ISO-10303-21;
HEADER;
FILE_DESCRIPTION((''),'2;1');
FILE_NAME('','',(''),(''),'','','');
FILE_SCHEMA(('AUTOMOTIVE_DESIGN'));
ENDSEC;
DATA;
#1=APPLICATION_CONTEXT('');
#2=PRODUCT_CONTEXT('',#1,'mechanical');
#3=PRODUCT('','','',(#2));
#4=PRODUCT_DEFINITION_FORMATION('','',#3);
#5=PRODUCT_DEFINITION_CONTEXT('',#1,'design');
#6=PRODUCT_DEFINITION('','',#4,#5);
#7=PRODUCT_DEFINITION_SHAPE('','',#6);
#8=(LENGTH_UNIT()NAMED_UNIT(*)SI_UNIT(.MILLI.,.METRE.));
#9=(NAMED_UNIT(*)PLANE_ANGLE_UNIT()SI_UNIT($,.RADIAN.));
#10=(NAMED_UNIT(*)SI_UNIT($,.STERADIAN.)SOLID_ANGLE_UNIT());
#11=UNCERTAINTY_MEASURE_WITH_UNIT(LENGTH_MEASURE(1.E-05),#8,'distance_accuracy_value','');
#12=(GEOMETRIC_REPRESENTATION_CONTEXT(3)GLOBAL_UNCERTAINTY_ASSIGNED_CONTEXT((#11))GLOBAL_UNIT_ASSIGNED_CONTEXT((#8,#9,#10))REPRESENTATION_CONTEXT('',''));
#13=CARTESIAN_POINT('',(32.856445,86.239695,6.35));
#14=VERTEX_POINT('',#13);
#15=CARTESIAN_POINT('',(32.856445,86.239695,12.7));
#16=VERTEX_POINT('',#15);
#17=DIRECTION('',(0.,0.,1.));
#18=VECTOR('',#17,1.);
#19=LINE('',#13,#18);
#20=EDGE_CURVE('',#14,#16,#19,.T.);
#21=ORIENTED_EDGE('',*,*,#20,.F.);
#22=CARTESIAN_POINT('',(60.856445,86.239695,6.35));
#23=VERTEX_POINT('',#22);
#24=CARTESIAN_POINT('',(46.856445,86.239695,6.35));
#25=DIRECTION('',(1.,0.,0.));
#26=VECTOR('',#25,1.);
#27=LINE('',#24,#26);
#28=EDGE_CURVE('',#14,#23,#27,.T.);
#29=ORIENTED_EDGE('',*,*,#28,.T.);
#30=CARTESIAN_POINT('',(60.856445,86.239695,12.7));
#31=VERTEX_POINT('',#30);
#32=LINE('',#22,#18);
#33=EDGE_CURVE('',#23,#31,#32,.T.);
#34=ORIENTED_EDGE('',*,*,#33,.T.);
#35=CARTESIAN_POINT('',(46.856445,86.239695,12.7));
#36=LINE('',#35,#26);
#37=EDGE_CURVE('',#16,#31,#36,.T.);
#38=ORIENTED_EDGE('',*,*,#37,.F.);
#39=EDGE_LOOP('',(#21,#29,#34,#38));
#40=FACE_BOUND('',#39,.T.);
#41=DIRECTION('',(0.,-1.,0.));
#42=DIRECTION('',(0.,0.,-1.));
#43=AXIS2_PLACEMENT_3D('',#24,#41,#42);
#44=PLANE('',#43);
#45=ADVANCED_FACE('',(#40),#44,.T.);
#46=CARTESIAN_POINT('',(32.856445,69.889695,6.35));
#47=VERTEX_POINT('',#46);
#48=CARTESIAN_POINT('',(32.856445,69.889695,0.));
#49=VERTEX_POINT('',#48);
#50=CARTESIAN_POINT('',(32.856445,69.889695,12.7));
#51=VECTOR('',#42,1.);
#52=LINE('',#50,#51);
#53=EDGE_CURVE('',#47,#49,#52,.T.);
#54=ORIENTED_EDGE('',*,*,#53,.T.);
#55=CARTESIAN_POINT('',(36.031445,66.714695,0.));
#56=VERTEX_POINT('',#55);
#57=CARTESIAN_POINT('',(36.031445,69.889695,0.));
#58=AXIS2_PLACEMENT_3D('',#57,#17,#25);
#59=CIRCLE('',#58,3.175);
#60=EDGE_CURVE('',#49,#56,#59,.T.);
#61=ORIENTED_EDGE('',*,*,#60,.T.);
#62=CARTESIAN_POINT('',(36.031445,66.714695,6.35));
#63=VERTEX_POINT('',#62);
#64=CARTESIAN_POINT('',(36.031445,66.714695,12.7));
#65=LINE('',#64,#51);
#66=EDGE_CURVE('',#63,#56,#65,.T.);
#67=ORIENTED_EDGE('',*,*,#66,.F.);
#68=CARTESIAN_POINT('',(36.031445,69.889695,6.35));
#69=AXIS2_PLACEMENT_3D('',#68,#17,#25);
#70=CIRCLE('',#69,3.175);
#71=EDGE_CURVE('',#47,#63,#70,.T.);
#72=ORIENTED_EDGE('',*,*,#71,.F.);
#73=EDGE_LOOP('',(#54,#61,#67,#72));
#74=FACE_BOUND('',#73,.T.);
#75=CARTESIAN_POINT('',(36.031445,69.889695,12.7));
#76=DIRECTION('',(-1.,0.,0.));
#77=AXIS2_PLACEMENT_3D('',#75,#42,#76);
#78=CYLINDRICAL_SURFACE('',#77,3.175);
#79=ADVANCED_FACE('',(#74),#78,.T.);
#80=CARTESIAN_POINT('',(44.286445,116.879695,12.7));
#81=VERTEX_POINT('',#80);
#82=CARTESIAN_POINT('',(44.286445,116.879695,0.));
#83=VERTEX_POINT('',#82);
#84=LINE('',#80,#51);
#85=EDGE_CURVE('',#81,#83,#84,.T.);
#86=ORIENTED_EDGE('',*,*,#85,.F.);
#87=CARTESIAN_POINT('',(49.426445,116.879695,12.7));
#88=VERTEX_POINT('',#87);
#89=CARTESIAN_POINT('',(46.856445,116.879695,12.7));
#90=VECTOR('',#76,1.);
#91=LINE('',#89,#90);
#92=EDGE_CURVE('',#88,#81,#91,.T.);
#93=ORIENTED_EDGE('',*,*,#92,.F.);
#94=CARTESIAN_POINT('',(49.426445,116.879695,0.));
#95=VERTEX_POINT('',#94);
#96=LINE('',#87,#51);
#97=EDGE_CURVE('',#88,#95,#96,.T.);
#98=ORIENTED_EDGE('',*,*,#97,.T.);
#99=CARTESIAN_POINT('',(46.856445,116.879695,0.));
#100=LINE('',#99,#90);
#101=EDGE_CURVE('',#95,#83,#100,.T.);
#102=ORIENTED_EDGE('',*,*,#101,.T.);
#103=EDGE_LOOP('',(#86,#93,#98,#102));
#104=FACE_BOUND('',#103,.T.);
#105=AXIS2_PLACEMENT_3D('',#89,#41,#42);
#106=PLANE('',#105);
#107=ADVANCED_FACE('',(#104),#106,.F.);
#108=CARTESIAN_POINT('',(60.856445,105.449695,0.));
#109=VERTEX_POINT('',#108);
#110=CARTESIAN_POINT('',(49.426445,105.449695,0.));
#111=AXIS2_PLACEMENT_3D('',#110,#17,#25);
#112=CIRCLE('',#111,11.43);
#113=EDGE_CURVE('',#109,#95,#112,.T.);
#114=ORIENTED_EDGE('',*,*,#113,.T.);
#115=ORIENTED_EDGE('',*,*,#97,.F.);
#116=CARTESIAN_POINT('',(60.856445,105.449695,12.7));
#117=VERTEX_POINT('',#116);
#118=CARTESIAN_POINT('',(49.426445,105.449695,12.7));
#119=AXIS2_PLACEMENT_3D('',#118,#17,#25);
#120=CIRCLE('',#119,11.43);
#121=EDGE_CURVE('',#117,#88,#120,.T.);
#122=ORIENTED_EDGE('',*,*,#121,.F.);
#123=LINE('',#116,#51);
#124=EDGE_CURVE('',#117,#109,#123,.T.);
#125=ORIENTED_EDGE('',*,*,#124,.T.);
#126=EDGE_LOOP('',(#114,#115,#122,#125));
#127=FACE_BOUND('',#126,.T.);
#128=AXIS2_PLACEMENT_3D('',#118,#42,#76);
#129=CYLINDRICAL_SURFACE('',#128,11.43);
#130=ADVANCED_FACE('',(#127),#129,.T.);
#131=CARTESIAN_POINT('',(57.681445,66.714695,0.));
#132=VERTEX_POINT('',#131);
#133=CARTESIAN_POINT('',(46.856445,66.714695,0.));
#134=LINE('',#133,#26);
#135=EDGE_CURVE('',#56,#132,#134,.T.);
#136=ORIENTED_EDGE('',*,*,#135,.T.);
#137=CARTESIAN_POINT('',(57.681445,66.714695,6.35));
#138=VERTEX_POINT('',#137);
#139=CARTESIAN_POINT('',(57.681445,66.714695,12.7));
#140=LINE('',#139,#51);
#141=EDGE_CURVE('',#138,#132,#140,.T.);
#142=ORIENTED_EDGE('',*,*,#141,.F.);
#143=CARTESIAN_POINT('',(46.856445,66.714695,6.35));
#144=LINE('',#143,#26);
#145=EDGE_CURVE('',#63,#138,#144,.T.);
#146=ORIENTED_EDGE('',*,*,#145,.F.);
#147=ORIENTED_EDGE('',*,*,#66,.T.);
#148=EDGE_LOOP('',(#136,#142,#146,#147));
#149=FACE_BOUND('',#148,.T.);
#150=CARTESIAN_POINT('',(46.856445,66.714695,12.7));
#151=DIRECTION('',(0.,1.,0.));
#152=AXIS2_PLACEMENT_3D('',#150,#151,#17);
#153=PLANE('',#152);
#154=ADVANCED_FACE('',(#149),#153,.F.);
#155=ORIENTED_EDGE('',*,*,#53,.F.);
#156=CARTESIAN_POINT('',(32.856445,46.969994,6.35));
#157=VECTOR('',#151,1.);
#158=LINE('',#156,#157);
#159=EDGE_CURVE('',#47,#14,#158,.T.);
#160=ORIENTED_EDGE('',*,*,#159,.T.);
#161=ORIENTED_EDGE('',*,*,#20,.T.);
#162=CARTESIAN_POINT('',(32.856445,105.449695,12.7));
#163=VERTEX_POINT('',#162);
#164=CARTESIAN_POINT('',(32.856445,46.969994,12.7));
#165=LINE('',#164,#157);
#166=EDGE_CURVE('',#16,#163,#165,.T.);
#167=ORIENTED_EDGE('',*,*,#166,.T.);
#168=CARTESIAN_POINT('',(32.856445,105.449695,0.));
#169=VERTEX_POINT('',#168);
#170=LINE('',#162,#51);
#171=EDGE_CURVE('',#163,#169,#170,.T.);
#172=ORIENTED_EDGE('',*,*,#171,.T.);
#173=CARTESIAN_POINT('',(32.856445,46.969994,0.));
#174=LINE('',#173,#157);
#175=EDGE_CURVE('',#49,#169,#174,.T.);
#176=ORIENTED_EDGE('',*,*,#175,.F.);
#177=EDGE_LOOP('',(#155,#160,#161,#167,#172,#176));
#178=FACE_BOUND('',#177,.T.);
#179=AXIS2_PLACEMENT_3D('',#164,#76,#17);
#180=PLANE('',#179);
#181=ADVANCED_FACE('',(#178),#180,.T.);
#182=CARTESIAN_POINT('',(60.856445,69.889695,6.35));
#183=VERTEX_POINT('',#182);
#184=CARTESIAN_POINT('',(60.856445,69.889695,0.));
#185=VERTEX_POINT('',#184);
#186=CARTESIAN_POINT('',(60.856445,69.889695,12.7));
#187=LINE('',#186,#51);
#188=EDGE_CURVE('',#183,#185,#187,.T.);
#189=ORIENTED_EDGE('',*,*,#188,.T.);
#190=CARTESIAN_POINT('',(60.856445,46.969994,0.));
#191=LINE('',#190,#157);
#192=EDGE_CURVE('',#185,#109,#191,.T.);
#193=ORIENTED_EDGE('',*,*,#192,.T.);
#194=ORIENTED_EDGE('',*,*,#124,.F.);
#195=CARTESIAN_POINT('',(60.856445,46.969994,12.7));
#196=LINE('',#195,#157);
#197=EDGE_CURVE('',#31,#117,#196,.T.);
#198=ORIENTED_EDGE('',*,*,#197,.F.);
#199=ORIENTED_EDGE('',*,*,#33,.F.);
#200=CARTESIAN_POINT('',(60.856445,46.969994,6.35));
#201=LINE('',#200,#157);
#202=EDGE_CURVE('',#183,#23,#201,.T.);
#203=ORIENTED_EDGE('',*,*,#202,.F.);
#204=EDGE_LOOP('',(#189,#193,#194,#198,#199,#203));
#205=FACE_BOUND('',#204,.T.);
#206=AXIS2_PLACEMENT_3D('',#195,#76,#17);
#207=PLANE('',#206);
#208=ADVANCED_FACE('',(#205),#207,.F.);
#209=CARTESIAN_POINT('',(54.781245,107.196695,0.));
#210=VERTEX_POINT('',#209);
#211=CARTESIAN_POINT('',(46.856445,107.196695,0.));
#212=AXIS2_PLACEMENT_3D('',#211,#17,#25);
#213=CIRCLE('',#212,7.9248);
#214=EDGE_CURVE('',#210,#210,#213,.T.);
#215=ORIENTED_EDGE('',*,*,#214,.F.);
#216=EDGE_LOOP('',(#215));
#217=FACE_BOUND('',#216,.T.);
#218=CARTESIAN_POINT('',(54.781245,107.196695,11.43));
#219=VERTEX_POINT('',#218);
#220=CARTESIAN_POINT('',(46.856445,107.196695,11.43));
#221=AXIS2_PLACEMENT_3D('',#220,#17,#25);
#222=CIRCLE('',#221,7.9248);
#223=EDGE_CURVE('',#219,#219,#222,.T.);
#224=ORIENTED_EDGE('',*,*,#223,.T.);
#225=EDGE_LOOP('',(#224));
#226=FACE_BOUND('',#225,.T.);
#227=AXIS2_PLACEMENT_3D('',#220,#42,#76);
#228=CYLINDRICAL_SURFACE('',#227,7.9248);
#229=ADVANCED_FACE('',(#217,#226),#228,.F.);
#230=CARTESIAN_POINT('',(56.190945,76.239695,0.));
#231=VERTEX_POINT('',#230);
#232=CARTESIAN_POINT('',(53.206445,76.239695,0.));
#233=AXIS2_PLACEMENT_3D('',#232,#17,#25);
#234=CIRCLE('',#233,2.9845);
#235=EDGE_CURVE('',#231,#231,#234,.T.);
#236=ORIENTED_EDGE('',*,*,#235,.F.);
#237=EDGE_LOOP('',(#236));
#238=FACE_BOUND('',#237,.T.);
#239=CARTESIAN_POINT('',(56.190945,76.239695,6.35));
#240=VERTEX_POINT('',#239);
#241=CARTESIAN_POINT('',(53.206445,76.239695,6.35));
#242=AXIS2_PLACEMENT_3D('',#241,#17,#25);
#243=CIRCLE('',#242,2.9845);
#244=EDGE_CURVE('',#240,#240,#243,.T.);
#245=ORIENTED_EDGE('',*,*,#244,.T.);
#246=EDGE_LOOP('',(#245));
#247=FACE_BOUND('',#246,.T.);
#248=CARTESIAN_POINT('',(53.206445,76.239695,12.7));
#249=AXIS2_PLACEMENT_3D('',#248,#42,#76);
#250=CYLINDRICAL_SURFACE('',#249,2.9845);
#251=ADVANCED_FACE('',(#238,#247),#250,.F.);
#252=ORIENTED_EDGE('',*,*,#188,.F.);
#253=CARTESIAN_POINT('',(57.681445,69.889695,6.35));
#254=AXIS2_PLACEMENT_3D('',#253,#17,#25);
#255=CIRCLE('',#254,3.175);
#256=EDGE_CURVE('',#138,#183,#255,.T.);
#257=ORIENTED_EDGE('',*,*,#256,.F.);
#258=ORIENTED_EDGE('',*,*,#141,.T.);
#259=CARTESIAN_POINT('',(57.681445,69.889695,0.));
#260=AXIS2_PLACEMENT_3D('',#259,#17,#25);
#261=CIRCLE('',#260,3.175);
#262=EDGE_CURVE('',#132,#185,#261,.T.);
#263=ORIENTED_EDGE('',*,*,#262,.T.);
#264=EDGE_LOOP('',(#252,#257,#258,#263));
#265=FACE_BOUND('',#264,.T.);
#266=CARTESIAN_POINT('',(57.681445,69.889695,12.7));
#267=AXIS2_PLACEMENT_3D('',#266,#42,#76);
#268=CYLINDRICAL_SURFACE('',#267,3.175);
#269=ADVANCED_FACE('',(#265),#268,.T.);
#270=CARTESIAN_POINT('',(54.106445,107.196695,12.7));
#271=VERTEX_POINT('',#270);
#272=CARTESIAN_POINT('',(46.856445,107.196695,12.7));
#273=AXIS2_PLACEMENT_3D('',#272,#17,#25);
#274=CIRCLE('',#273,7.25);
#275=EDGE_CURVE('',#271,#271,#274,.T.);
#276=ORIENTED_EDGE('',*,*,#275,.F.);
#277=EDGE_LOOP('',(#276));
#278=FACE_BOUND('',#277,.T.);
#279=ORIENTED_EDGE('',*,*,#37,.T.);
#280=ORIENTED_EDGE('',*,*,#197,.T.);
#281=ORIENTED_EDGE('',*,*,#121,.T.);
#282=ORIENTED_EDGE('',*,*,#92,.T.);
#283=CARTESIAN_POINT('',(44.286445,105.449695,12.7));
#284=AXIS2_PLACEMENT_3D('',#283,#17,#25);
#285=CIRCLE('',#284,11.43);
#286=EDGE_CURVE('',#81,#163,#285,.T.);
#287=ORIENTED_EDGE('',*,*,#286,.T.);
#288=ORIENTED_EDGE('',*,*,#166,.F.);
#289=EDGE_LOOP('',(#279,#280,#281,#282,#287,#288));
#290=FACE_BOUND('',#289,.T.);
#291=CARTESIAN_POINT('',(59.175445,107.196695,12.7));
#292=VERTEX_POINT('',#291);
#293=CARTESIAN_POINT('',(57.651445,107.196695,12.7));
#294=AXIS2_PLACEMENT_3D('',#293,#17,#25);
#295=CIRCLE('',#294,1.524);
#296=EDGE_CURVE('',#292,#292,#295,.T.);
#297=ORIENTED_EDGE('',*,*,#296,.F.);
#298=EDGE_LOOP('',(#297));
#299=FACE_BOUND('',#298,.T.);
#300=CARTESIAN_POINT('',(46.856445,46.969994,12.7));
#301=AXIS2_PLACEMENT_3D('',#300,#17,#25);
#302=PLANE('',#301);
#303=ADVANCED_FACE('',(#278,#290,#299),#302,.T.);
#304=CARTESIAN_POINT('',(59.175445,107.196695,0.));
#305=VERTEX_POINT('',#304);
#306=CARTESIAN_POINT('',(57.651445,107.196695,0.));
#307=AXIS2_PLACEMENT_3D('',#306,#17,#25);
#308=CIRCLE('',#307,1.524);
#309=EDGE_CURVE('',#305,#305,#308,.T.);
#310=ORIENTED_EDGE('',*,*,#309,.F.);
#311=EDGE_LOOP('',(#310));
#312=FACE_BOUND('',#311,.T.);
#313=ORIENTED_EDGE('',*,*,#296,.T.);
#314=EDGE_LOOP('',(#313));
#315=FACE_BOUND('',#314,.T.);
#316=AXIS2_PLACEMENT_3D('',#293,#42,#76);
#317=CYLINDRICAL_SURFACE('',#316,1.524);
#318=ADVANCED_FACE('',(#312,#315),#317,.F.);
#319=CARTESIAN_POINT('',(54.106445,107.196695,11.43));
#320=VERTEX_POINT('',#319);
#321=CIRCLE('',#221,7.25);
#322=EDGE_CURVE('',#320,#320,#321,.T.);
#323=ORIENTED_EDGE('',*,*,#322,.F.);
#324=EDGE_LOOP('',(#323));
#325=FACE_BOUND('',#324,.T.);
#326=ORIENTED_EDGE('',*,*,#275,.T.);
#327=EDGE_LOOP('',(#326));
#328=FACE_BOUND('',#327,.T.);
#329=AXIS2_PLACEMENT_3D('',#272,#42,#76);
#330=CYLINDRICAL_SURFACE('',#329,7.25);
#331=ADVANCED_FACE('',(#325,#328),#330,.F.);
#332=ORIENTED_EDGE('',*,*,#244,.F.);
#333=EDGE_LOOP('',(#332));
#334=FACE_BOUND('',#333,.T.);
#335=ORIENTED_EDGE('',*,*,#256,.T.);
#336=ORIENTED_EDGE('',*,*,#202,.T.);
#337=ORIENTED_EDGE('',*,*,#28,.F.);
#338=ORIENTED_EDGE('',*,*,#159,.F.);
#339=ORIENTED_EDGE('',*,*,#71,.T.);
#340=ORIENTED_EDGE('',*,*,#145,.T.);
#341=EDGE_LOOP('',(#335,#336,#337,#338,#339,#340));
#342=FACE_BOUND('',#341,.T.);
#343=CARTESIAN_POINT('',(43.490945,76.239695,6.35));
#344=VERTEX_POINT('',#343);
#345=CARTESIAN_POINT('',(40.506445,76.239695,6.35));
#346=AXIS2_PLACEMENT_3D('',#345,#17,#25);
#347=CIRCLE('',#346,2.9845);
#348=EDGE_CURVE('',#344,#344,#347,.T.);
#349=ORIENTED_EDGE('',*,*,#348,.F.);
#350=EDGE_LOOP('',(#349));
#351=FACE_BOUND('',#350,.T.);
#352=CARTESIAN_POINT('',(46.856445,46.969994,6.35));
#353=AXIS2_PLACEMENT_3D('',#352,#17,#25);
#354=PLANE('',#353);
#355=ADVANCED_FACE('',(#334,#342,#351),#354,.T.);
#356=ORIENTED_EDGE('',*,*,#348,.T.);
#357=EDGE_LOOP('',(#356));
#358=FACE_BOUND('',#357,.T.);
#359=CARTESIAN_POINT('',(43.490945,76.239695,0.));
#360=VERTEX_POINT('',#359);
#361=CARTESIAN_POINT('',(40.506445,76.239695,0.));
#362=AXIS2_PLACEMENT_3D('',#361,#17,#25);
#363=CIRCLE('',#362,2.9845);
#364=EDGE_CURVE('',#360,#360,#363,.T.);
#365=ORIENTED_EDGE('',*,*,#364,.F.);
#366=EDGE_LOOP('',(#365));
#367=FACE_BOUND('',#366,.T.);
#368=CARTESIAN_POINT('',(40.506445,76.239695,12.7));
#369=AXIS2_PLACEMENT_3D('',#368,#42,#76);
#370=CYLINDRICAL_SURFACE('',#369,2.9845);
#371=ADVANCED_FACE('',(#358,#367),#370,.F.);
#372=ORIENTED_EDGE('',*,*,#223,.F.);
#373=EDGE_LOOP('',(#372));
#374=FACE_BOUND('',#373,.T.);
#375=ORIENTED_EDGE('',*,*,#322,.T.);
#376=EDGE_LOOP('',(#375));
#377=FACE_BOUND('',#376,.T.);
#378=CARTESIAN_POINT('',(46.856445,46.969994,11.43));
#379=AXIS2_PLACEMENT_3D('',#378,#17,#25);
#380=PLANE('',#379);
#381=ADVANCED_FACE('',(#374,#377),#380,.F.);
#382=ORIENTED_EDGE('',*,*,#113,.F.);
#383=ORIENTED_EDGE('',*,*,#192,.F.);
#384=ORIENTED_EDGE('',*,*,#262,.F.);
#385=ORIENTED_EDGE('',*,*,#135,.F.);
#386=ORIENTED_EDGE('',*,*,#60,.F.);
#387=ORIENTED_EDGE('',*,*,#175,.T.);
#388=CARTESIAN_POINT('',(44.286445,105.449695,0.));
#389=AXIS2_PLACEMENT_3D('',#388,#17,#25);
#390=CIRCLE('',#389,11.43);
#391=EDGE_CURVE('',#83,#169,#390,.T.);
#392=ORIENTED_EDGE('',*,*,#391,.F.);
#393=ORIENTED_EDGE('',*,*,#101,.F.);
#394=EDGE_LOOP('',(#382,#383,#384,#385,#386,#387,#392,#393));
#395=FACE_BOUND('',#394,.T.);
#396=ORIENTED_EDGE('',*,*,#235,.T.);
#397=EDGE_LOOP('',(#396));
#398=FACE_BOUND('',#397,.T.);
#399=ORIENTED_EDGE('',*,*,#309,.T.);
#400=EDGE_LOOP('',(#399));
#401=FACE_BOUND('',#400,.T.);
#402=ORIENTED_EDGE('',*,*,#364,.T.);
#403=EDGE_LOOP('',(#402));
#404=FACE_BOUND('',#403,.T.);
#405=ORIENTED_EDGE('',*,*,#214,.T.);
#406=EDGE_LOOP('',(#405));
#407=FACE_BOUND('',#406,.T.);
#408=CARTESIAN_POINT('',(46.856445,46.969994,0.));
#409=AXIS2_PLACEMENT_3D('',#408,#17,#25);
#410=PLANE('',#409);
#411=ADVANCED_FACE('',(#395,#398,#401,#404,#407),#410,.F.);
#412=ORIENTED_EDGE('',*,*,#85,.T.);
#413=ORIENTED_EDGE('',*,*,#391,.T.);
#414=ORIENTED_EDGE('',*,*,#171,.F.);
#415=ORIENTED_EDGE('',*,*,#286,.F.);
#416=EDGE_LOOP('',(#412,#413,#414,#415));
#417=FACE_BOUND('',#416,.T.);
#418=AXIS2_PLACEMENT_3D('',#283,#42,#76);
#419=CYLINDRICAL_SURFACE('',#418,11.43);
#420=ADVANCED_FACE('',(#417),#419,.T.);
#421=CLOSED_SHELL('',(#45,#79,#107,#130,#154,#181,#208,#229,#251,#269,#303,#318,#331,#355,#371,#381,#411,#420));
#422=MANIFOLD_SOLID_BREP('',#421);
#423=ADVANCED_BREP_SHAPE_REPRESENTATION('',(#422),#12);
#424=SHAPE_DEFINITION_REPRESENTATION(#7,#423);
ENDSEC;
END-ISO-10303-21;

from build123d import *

# Parameters (mm, degrees)
SKETCH1_R           = 7.9248
SKETCH1_R_2         = 1.524
SKETCH1_R_3         = 2.9845
SKETCH1_R_4         = 7.250000001
BOSS_EXTRUDE1_DEPTH = 12.7
SKETCH1_3_R         = 7.9248
SKETCH1_3_R_2       = 7.250000001
CUT_EXTRUDE1_DEPTH  = 11.43
CUT_EXTRUDE2_START  = 6.35
SKETCH1_4_R         = 2.9845
CUT_EXTRUDE2_DEPTH  = 6.35


with BuildPart() as part:
    # Sketch1 → Boss-Extrude1 (new body)
    # profile 1 of 3: a face of its own
    with BuildSketch(Plane.XY):
        with BuildLine():
            Line((32.856445179, 105.449695346), (32.856445179, 86.239695346))
            Line((32.856445179, 86.239695346), (60.856445178, 86.239695346))
            Line((60.856445178, 86.239695346), (60.856445178, 105.449695346))
            ThreePointArc((60.856445178, 105.449695346), (57.508675687, 113.531925855), (49.426445178, 116.879695346))
            Line((49.426445178, 116.879695346), (44.286445179, 116.879695346))
            ThreePointArc((44.286445179, 116.879695346), (36.20421467, 113.531925855), (32.856445179, 105.449695346))
        make_face()
        with Locations((46.856445179, 107.196695347)):
            Circle(SKETCH1_R, mode=Mode.SUBTRACT)
        with Locations((57.651445179, 107.196695347)):
            Circle(SKETCH1_R_2, mode=Mode.SUBTRACT)
    # profile 2 of 3: a face of its own
    with BuildSketch(Plane.XY):
        with BuildLine():
            ThreePointArc((32.856445179, 69.889695346), (33.786381148, 67.644631316), (36.031445179, 66.714695346))
            Line((36.031445179, 66.714695346), (57.681445178, 66.714695346))
            ThreePointArc((57.681445178, 66.714695346), (59.926509208, 67.644631316), (60.856445178, 69.889695346))
            Line((60.856445178, 69.889695346), (60.856445178, 86.239695346))
            Line((60.856445178, 86.239695346), (32.856445179, 86.239695346))
            Line((32.856445179, 86.239695346), (32.856445179, 69.889695346))
        make_face()
        with Locations((40.506445179, 76.239695346)):
            Circle(SKETCH1_R_3, mode=Mode.SUBTRACT)
        with Locations((53.206445179, 76.239695346)):
            Circle(SKETCH1_R_3, mode=Mode.SUBTRACT)
    # profile 3 of 3: a face of its own
    with BuildSketch(Plane.XY):
        with Locations((46.856445179, 107.196695347)):
            Circle(SKETCH1_R)
        with Locations((46.856445179, 107.196695347)):
            Circle(SKETCH1_R_4, mode=Mode.SUBTRACT)
    extrude(amount=BOSS_EXTRUDE1_DEPTH)

    # Sketch1<3> → Cut-Extrude1 (cut)
    with BuildSketch(Plane.XY):
        with Locations((46.856445179, 107.196695347)):
            Circle(SKETCH1_3_R)
        with Locations((46.856445179, 107.196695347)):
            Circle(SKETCH1_3_R_2, mode=Mode.SUBTRACT)
    extrude(amount=CUT_EXTRUDE1_DEPTH, mode=Mode.SUBTRACT)

    # Sketch1<4> → Cut-Extrude2 (cut)
    with BuildSketch(Plane.XY.offset(CUT_EXTRUDE2_START)):
        with BuildLine():
            ThreePointArc((32.856445179, 69.889695346), (33.786381148, 67.644631316), (36.031445179, 66.714695346))
            Line((36.031445179, 66.714695346), (57.681445178, 66.714695346))
            ThreePointArc((57.681445178, 66.714695346), (59.926509208, 67.644631316), (60.856445178, 69.889695346))
            Line((60.856445178, 69.889695346), (60.856445178, 86.239695346))
            Line((60.856445178, 86.239695346), (32.856445179, 86.239695346))
            Line((32.856445179, 86.239695346), (32.856445179, 69.889695346))
        make_face()
        with Locations((40.506445179, 76.239695346)):
            Circle(SKETCH1_4_R, mode=Mode.SUBTRACT)
        with Locations((53.206445179, 76.239695346)):
            Circle(SKETCH1_4_R, mode=Mode.SUBTRACT)
    extrude(amount=CUT_EXTRUDE2_DEPTH, mode=Mode.SUBTRACT)


solid = part.part
